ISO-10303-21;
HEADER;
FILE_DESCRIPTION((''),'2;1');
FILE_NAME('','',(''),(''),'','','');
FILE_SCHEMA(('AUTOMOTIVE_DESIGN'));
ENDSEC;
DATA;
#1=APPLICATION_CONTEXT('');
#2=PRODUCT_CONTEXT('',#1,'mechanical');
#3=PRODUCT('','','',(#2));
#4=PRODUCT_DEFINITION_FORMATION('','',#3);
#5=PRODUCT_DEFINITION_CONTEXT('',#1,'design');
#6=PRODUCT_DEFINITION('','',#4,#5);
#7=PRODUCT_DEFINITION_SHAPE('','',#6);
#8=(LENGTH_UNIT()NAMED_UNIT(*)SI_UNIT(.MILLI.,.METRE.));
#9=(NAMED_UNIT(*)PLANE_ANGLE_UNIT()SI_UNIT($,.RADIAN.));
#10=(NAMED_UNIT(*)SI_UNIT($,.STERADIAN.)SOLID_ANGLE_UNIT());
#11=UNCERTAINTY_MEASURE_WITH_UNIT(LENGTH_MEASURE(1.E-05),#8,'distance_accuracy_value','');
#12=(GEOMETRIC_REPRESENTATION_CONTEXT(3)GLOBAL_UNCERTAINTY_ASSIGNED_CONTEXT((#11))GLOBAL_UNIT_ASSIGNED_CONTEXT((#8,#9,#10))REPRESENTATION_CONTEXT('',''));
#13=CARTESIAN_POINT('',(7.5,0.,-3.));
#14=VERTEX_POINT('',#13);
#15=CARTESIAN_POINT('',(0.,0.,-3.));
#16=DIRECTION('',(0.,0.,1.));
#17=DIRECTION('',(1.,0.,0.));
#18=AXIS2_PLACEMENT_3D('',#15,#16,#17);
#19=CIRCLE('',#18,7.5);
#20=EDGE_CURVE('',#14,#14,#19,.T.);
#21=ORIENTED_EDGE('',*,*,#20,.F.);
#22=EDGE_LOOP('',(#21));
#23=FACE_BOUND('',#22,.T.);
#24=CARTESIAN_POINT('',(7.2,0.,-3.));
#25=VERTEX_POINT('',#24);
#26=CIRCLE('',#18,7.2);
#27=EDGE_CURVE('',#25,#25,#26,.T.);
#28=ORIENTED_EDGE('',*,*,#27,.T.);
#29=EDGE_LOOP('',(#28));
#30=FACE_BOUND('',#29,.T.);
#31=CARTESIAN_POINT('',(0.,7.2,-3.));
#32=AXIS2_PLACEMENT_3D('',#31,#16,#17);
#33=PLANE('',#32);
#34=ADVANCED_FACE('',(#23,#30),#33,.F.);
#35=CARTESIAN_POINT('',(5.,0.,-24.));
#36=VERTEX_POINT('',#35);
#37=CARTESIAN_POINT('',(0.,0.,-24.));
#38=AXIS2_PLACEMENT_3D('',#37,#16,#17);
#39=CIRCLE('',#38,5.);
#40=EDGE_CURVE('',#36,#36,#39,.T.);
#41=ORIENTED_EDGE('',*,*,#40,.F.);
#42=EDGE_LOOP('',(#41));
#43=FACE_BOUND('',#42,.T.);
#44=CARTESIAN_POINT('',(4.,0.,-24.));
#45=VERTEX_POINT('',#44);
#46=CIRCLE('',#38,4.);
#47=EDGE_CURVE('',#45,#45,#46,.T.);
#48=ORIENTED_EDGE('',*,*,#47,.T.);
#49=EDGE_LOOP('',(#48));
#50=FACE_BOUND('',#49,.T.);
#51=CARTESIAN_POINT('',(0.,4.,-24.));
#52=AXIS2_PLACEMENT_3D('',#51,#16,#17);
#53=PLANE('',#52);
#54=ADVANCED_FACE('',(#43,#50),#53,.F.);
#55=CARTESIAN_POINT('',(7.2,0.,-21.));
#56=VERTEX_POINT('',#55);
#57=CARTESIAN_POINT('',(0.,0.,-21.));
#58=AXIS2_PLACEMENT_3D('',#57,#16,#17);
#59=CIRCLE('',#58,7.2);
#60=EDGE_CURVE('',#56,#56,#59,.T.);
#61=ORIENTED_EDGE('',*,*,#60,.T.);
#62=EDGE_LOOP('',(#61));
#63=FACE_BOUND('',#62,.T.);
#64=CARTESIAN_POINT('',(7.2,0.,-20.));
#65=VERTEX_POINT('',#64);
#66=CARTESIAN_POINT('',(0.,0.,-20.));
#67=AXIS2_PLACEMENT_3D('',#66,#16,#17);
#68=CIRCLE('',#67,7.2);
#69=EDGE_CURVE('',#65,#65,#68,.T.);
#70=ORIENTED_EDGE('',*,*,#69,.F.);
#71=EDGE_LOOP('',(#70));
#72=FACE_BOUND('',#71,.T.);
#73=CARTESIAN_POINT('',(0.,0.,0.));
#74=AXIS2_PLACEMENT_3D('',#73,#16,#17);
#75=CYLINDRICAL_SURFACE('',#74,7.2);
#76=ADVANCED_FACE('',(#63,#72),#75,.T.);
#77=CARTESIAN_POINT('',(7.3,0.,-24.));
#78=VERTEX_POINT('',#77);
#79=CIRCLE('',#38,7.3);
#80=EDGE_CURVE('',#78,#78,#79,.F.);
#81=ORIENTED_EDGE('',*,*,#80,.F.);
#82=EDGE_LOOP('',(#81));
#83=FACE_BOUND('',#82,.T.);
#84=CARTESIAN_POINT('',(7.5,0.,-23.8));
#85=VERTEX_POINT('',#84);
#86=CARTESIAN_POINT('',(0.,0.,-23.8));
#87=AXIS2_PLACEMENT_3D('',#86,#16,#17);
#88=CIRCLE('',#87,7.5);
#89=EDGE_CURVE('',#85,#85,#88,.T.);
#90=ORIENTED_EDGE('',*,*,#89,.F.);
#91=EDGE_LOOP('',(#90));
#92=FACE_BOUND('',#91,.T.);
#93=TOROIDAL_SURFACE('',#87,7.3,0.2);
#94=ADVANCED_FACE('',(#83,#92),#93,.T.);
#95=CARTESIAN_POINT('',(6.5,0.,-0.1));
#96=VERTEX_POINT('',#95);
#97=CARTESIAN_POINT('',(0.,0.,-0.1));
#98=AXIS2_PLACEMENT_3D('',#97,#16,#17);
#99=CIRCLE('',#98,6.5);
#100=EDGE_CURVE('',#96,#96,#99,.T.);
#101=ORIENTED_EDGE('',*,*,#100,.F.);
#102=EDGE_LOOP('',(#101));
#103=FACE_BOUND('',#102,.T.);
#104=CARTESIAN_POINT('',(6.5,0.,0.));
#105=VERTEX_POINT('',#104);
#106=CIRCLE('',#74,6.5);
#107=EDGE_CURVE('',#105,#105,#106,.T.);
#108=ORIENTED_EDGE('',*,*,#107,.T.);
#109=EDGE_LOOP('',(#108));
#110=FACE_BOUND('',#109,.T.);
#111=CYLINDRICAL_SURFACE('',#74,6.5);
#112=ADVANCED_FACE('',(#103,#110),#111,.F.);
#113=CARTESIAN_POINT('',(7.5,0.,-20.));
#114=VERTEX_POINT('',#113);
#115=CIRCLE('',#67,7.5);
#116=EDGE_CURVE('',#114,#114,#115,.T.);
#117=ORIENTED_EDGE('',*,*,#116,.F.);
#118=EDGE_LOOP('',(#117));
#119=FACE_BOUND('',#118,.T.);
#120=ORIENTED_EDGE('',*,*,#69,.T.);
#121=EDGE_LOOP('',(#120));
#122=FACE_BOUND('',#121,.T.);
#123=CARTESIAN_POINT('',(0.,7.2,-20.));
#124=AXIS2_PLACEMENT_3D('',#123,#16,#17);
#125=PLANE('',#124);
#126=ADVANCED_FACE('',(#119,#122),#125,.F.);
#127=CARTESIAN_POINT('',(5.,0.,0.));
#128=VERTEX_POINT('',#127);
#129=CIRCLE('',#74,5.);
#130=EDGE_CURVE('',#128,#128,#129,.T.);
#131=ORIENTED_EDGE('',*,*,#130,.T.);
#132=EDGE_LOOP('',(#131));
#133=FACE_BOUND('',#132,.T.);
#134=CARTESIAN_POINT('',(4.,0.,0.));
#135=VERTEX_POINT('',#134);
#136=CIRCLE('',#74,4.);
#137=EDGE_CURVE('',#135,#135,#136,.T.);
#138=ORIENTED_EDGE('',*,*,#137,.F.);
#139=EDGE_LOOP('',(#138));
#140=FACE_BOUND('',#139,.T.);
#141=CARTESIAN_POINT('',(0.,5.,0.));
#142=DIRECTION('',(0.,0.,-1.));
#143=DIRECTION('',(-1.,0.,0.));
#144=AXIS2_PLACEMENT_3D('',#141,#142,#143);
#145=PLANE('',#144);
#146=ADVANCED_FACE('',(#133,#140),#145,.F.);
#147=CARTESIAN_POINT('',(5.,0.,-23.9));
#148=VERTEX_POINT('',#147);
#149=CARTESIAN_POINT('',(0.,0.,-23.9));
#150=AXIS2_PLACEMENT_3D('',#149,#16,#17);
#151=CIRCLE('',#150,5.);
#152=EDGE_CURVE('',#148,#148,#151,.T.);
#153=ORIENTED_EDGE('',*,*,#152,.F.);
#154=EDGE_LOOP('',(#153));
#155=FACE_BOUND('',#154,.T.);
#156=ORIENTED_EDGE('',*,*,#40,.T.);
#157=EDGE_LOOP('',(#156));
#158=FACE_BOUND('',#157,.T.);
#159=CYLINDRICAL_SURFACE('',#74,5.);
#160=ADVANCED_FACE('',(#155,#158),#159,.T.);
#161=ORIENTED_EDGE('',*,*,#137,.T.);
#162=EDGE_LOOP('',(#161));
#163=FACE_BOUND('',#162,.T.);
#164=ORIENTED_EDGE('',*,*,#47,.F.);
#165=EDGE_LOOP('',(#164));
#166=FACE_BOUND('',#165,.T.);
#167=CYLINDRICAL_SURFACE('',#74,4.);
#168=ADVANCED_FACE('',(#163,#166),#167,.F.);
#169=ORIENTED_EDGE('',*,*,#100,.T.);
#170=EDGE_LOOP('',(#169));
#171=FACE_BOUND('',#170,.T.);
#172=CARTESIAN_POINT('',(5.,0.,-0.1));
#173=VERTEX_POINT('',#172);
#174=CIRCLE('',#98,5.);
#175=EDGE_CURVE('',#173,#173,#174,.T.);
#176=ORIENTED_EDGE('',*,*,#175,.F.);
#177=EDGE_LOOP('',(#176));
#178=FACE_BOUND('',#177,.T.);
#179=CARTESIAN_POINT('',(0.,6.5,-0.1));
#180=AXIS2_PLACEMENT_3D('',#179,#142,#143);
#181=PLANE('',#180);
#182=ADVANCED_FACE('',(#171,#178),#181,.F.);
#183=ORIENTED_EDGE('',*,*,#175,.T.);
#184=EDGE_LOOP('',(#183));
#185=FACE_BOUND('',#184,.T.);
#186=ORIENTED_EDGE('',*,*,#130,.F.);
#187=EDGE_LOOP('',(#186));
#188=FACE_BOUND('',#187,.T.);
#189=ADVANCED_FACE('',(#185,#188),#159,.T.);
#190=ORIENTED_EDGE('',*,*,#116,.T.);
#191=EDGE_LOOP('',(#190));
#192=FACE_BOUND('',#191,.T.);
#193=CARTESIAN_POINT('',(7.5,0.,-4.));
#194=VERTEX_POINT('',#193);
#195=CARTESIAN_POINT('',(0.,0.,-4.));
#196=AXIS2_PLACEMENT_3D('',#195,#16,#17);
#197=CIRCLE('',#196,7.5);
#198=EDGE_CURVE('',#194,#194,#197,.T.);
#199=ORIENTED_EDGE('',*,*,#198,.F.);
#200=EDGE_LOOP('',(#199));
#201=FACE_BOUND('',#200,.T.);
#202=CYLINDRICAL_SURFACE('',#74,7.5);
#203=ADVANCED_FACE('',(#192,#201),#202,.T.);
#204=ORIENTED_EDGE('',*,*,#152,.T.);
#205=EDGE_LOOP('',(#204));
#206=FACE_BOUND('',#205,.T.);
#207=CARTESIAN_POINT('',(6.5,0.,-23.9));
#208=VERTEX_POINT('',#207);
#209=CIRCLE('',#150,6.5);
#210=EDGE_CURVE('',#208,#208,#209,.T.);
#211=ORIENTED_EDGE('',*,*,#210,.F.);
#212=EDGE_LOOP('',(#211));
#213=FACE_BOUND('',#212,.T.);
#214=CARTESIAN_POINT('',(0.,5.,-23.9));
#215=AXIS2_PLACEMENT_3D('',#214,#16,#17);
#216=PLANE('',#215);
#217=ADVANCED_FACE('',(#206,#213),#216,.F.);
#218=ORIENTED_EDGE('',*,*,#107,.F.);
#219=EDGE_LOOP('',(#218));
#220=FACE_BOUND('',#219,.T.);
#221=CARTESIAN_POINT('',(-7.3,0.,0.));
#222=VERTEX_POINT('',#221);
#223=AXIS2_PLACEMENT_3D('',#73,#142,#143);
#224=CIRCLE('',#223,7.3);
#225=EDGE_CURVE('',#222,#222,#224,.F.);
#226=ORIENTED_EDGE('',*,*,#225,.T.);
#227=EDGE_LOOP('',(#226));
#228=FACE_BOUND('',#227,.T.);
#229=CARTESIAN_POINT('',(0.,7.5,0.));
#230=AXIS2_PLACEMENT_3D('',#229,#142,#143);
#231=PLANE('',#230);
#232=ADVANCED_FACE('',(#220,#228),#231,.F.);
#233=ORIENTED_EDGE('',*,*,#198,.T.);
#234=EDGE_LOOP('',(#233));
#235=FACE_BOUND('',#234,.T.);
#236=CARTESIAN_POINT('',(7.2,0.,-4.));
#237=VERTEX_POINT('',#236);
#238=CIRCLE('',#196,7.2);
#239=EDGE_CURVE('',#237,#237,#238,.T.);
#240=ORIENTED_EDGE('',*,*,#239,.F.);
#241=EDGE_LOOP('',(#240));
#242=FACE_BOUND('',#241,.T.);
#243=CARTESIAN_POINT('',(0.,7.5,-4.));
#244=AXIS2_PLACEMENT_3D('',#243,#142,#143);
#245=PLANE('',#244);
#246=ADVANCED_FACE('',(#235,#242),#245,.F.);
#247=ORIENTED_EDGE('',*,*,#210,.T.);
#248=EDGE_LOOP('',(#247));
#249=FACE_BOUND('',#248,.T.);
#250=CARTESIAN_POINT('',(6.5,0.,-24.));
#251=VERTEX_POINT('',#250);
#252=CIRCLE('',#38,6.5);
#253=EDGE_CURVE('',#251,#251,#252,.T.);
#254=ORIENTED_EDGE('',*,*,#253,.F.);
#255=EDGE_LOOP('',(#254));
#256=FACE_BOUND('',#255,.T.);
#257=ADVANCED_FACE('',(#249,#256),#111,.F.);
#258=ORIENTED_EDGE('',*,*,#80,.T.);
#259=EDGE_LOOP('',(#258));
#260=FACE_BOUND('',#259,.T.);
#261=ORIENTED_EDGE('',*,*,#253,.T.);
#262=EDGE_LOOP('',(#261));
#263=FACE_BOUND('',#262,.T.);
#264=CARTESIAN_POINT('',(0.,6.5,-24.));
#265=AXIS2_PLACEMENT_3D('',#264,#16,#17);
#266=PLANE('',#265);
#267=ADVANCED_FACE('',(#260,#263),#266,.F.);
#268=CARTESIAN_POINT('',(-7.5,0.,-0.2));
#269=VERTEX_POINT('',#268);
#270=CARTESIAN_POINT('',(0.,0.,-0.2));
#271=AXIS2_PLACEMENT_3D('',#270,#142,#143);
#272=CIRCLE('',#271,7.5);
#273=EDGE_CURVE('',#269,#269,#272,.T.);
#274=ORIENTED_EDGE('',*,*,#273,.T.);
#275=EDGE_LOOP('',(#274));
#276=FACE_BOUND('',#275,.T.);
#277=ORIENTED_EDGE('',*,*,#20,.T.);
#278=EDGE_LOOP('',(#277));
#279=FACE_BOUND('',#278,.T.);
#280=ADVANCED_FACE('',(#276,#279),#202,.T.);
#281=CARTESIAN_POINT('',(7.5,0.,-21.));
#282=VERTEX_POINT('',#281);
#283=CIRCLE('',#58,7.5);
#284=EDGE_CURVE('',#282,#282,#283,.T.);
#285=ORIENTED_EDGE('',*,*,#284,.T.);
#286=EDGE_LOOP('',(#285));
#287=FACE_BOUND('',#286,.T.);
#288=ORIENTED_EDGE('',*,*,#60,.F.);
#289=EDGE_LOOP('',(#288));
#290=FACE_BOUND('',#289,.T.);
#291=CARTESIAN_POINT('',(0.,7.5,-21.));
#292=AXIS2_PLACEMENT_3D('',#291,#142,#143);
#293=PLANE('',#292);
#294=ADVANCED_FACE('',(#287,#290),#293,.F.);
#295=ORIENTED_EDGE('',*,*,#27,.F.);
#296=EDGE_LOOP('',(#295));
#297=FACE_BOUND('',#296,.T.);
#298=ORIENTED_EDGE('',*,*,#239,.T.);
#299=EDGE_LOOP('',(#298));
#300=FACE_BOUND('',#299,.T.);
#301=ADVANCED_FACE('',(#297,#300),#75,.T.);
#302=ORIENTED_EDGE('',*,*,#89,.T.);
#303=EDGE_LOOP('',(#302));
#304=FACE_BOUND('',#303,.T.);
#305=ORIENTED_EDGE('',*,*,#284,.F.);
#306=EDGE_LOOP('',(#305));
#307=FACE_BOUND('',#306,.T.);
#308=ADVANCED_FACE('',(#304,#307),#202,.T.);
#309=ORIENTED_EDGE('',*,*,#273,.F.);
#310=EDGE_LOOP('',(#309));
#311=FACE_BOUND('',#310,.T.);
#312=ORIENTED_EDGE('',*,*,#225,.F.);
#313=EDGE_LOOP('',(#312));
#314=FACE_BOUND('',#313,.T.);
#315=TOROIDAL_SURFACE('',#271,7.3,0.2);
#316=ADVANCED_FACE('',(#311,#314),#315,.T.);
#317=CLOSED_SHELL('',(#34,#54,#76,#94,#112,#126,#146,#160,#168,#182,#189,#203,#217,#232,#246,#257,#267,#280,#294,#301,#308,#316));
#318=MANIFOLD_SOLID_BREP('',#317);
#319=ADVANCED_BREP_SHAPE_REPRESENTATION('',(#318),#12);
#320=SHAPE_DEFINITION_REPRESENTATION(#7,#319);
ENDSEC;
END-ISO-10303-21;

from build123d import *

# Parameters (mm, degrees)
FILLET1_R = 0.2


with BuildPart() as part:
    # Sketch1 → Revolve1 (revolve)
    with BuildSketch(Plane(origin=(0, 0, 0), x_dir=(0, 0, -1), z_dir=(1, 0, 0)), mode=Mode.PRIVATE) as revolve1_sk:
        Polygon((0, 7.5), (0, 6.5), (0.1, 6.5), (0.1, 5), (0, 5), (0, 4), (24, 4), (24, 5), (23.9, 5), (23.9, 6.5), (24, 6.5), (24, 7.5), (21, 7.5), (21, 7.2), (20, 7.2), (20, 7.5), (4, 7.5), (4, 7.2), (3, 7.2), (3, 7.5), align=None)
    revolve(revolve1_sk.sketch.rotate(Axis((0, 0, 0), (0, 0, -1)), 90), axis=Axis((0, 0, 0), (0, 0, -1)))

    # Fillet1
    fillet1_edges = [part.edges().sort_by_distance(p)[0] for p in [
        (-7.5, 0, -24),
        (-7.5, 0, 0),
    ]]
    fillet(fillet1_edges, radius=FILLET1_R)


solid = part.part
